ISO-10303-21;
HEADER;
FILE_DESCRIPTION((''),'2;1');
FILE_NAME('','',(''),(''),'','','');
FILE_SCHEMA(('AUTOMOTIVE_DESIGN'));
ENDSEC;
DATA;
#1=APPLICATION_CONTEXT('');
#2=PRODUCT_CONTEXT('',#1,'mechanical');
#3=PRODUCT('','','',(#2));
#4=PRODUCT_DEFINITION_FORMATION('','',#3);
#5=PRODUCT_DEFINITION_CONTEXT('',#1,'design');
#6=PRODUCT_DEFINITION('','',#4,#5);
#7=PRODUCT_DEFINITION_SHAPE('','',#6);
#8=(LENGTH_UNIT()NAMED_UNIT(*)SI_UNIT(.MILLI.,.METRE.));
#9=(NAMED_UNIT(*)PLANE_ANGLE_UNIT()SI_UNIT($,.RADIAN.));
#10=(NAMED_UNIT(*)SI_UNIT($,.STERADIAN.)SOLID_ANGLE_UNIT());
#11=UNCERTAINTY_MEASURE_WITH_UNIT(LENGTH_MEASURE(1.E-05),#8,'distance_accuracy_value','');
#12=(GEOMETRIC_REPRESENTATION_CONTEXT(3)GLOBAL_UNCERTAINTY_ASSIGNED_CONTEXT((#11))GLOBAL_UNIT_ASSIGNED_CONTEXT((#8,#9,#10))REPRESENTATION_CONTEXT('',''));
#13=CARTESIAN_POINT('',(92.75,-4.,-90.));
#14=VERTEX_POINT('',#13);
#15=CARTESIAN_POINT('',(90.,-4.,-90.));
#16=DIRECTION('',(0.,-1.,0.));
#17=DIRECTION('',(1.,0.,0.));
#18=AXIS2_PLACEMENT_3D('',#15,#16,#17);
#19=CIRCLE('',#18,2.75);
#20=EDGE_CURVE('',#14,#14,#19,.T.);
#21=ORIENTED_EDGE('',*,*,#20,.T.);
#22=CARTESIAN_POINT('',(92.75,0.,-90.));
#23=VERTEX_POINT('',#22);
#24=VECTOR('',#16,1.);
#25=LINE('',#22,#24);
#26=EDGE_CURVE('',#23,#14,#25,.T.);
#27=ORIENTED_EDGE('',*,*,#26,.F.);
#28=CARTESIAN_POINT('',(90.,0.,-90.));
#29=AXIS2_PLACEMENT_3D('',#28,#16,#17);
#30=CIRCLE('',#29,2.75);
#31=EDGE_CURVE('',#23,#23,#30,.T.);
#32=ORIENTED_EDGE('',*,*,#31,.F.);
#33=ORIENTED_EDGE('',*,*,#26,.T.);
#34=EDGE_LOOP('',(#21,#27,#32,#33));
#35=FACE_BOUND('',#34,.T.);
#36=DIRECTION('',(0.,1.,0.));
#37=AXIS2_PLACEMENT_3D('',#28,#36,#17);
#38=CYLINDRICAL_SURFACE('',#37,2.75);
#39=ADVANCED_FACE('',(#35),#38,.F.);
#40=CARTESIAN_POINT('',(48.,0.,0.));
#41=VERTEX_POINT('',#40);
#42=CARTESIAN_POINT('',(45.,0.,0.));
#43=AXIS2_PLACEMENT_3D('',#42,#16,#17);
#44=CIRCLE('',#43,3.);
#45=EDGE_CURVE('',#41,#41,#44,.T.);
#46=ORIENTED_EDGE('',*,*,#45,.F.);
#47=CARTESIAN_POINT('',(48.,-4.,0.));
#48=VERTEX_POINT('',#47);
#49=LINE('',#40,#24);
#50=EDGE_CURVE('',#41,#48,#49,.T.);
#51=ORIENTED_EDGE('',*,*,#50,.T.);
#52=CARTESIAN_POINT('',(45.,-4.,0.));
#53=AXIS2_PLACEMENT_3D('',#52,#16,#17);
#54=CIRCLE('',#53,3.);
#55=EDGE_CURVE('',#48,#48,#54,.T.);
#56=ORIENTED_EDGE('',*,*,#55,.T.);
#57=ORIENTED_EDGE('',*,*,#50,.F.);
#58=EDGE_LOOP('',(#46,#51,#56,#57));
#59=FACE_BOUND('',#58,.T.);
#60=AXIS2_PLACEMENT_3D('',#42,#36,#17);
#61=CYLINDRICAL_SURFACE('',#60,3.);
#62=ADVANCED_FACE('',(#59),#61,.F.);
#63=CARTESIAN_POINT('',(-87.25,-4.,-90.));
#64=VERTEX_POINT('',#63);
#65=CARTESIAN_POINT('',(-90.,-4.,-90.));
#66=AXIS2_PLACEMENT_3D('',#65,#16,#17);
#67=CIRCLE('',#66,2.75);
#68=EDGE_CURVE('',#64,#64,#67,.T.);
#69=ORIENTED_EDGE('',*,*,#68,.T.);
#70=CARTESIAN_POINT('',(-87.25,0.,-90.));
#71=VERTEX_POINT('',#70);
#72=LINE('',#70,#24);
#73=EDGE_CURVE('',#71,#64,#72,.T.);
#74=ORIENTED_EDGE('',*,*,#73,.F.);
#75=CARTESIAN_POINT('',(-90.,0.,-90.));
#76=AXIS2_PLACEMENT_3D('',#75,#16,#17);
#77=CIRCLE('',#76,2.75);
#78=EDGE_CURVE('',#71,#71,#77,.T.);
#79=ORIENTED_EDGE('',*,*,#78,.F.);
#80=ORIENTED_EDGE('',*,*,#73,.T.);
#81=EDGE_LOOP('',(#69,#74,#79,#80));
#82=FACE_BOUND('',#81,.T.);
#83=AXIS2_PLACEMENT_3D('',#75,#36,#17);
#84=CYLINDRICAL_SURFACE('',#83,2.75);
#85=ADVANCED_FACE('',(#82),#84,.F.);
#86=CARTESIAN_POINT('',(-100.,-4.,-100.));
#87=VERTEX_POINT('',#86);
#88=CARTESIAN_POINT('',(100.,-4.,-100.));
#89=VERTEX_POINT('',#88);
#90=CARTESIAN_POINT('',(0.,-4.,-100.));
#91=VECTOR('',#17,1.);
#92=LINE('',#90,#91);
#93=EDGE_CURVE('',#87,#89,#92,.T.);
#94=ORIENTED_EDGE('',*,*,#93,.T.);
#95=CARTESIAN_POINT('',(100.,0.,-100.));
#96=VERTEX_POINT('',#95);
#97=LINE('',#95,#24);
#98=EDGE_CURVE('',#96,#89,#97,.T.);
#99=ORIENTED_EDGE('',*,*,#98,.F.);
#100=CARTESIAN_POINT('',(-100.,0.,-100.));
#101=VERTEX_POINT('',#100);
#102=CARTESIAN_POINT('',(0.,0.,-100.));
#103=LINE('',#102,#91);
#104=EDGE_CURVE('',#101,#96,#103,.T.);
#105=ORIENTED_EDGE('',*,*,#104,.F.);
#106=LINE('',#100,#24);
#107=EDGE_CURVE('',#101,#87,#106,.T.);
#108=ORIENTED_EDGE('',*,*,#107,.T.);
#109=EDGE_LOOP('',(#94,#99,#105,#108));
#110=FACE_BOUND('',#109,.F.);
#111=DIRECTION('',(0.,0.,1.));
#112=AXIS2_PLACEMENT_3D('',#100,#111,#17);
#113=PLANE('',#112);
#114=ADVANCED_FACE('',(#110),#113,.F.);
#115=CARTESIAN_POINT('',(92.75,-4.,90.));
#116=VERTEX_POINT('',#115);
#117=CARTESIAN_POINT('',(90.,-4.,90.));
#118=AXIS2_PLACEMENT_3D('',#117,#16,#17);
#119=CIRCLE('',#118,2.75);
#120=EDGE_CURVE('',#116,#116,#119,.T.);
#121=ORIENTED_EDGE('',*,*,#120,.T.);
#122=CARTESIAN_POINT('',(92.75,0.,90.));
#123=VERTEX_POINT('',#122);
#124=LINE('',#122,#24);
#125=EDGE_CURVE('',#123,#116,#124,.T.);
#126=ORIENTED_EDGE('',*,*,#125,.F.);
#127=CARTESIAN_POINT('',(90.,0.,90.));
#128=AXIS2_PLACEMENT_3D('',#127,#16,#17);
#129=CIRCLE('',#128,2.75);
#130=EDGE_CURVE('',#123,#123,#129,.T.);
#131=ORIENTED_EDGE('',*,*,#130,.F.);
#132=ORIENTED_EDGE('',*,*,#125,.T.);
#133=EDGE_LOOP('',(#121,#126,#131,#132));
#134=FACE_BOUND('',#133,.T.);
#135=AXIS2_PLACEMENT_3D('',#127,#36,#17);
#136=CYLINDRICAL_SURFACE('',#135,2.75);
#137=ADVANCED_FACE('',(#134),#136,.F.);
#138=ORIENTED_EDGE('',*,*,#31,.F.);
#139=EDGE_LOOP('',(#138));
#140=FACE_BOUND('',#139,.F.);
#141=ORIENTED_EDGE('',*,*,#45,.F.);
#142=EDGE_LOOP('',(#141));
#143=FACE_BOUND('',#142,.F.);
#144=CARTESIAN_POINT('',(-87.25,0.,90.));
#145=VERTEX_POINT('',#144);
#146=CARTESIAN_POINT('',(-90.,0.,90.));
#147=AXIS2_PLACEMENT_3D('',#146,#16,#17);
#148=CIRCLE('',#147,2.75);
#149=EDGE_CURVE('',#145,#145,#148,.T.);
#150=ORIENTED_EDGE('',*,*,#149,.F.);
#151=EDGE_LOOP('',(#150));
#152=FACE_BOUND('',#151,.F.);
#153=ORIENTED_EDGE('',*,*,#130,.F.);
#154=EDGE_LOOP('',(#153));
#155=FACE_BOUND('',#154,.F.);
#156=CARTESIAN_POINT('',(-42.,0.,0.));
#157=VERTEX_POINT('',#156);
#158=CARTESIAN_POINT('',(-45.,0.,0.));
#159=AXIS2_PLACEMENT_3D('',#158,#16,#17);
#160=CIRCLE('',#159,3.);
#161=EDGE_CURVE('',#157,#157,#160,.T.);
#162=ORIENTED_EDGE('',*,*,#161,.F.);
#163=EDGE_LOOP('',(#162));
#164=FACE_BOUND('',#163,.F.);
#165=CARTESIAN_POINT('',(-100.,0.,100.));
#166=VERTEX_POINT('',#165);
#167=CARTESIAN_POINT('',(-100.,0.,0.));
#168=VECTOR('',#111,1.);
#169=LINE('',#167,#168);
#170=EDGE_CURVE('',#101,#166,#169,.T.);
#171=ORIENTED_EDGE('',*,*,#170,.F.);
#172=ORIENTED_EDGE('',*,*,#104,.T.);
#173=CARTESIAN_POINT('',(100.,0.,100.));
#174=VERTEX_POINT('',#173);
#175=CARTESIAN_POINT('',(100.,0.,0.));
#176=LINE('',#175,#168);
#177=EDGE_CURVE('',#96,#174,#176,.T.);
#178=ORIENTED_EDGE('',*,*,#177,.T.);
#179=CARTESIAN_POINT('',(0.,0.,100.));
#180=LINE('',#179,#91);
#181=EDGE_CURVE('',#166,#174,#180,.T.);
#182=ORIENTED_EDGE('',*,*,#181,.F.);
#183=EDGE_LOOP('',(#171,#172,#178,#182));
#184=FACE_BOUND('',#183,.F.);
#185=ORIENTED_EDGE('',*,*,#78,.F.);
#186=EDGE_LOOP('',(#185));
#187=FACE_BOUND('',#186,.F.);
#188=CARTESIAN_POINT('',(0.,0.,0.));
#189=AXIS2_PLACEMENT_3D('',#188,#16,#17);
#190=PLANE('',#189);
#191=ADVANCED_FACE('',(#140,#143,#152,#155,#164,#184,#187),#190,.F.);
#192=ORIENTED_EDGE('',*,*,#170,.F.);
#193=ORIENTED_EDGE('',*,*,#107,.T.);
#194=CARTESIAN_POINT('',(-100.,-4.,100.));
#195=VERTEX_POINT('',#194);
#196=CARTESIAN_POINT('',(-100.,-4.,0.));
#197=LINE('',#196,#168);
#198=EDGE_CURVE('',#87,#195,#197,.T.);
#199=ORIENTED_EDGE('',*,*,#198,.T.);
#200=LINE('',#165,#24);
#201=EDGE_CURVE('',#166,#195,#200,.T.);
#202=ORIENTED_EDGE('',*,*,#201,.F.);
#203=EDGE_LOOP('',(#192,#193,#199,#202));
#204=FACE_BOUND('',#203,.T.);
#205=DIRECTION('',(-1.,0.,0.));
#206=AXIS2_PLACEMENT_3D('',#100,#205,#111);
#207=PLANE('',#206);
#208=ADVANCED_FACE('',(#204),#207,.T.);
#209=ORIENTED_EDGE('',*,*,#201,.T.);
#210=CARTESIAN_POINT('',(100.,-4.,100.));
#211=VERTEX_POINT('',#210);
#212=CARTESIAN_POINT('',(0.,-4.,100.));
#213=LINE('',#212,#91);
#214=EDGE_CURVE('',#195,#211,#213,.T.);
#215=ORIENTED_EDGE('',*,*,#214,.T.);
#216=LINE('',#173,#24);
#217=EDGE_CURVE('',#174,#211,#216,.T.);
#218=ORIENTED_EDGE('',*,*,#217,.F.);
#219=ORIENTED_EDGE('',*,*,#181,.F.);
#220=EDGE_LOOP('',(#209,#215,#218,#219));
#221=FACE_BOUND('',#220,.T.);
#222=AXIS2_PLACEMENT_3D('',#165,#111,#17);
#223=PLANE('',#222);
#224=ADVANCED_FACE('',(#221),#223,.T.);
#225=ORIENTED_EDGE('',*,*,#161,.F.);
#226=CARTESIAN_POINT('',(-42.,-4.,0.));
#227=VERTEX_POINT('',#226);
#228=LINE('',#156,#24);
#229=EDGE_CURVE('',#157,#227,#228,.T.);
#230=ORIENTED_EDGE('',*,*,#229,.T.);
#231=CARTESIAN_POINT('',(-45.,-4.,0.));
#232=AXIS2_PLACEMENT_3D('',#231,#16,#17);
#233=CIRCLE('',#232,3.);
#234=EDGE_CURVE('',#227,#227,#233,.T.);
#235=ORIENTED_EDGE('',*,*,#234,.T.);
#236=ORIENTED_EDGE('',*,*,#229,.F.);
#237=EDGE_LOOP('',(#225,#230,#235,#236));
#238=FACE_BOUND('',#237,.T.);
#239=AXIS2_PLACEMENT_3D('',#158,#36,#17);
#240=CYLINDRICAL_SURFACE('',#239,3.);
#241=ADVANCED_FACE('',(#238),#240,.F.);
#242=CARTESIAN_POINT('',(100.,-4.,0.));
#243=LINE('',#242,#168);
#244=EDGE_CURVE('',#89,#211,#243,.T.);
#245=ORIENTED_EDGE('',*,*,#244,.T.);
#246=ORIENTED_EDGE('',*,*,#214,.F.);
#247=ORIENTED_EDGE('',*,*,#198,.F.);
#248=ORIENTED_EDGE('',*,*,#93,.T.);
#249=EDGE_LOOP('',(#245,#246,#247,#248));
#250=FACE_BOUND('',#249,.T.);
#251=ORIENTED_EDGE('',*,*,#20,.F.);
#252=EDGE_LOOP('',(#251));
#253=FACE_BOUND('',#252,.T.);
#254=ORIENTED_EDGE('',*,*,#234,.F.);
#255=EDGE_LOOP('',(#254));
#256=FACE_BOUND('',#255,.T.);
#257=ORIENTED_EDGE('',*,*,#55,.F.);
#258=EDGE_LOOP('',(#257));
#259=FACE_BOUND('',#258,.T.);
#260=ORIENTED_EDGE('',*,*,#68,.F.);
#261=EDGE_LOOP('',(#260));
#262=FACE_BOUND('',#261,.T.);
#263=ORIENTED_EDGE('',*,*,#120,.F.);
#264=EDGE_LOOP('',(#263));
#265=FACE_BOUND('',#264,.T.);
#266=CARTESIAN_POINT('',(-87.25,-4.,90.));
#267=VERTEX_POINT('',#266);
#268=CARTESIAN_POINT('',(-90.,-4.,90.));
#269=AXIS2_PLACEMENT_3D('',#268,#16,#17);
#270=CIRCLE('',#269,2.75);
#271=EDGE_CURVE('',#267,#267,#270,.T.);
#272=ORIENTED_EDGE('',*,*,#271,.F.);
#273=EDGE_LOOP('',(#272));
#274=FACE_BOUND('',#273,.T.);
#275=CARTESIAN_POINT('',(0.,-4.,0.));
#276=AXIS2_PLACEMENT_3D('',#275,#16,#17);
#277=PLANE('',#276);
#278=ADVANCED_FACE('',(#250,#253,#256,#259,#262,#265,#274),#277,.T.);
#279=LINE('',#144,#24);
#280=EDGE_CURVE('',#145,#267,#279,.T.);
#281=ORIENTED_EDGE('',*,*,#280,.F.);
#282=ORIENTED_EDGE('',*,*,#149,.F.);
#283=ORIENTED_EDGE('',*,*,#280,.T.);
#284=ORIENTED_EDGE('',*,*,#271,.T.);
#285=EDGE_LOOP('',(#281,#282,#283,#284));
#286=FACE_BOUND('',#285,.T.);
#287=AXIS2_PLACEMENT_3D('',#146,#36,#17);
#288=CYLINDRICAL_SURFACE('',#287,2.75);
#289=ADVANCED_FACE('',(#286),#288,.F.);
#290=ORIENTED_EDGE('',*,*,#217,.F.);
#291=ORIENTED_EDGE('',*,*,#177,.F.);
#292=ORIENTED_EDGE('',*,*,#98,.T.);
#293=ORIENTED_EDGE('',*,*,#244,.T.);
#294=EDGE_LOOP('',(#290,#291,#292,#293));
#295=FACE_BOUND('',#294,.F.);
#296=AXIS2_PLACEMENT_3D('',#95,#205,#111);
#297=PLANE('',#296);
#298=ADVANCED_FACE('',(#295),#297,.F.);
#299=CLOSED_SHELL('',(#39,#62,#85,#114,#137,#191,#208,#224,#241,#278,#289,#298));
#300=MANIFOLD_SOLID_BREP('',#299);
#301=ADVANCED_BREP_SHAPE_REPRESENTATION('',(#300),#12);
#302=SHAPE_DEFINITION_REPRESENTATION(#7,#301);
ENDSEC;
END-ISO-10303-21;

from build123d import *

# Parameters (mm, degrees)
F0_W     = 200
F0_H     = 200
F0_R     = 2.75
F0_R_2   = 3
F1_DEPTH = 4


with BuildPart() as f1:
    # F0 (on Front) → F1 (new body)
    with BuildSketch(Plane.XZ):
        Rectangle(F0_W, F0_H)
        with Locations((-90, -90)):
            Circle(F0_R, mode=Mode.SUBTRACT)
        with Locations((90, -90)):
            Circle(F0_R, mode=Mode.SUBTRACT)
        with Locations((-45, 0)):
            Circle(F0_R_2, mode=Mode.SUBTRACT)
        with Locations((-90, 90)):
            Circle(F0_R, mode=Mode.SUBTRACT)
        with Locations((45, 0)):
            Circle(F0_R_2, mode=Mode.SUBTRACT)
        with Locations((90, 90)):
            Circle(F0_R, mode=Mode.SUBTRACT)
    extrude(amount=F1_DEPTH)


solid = f1.part
